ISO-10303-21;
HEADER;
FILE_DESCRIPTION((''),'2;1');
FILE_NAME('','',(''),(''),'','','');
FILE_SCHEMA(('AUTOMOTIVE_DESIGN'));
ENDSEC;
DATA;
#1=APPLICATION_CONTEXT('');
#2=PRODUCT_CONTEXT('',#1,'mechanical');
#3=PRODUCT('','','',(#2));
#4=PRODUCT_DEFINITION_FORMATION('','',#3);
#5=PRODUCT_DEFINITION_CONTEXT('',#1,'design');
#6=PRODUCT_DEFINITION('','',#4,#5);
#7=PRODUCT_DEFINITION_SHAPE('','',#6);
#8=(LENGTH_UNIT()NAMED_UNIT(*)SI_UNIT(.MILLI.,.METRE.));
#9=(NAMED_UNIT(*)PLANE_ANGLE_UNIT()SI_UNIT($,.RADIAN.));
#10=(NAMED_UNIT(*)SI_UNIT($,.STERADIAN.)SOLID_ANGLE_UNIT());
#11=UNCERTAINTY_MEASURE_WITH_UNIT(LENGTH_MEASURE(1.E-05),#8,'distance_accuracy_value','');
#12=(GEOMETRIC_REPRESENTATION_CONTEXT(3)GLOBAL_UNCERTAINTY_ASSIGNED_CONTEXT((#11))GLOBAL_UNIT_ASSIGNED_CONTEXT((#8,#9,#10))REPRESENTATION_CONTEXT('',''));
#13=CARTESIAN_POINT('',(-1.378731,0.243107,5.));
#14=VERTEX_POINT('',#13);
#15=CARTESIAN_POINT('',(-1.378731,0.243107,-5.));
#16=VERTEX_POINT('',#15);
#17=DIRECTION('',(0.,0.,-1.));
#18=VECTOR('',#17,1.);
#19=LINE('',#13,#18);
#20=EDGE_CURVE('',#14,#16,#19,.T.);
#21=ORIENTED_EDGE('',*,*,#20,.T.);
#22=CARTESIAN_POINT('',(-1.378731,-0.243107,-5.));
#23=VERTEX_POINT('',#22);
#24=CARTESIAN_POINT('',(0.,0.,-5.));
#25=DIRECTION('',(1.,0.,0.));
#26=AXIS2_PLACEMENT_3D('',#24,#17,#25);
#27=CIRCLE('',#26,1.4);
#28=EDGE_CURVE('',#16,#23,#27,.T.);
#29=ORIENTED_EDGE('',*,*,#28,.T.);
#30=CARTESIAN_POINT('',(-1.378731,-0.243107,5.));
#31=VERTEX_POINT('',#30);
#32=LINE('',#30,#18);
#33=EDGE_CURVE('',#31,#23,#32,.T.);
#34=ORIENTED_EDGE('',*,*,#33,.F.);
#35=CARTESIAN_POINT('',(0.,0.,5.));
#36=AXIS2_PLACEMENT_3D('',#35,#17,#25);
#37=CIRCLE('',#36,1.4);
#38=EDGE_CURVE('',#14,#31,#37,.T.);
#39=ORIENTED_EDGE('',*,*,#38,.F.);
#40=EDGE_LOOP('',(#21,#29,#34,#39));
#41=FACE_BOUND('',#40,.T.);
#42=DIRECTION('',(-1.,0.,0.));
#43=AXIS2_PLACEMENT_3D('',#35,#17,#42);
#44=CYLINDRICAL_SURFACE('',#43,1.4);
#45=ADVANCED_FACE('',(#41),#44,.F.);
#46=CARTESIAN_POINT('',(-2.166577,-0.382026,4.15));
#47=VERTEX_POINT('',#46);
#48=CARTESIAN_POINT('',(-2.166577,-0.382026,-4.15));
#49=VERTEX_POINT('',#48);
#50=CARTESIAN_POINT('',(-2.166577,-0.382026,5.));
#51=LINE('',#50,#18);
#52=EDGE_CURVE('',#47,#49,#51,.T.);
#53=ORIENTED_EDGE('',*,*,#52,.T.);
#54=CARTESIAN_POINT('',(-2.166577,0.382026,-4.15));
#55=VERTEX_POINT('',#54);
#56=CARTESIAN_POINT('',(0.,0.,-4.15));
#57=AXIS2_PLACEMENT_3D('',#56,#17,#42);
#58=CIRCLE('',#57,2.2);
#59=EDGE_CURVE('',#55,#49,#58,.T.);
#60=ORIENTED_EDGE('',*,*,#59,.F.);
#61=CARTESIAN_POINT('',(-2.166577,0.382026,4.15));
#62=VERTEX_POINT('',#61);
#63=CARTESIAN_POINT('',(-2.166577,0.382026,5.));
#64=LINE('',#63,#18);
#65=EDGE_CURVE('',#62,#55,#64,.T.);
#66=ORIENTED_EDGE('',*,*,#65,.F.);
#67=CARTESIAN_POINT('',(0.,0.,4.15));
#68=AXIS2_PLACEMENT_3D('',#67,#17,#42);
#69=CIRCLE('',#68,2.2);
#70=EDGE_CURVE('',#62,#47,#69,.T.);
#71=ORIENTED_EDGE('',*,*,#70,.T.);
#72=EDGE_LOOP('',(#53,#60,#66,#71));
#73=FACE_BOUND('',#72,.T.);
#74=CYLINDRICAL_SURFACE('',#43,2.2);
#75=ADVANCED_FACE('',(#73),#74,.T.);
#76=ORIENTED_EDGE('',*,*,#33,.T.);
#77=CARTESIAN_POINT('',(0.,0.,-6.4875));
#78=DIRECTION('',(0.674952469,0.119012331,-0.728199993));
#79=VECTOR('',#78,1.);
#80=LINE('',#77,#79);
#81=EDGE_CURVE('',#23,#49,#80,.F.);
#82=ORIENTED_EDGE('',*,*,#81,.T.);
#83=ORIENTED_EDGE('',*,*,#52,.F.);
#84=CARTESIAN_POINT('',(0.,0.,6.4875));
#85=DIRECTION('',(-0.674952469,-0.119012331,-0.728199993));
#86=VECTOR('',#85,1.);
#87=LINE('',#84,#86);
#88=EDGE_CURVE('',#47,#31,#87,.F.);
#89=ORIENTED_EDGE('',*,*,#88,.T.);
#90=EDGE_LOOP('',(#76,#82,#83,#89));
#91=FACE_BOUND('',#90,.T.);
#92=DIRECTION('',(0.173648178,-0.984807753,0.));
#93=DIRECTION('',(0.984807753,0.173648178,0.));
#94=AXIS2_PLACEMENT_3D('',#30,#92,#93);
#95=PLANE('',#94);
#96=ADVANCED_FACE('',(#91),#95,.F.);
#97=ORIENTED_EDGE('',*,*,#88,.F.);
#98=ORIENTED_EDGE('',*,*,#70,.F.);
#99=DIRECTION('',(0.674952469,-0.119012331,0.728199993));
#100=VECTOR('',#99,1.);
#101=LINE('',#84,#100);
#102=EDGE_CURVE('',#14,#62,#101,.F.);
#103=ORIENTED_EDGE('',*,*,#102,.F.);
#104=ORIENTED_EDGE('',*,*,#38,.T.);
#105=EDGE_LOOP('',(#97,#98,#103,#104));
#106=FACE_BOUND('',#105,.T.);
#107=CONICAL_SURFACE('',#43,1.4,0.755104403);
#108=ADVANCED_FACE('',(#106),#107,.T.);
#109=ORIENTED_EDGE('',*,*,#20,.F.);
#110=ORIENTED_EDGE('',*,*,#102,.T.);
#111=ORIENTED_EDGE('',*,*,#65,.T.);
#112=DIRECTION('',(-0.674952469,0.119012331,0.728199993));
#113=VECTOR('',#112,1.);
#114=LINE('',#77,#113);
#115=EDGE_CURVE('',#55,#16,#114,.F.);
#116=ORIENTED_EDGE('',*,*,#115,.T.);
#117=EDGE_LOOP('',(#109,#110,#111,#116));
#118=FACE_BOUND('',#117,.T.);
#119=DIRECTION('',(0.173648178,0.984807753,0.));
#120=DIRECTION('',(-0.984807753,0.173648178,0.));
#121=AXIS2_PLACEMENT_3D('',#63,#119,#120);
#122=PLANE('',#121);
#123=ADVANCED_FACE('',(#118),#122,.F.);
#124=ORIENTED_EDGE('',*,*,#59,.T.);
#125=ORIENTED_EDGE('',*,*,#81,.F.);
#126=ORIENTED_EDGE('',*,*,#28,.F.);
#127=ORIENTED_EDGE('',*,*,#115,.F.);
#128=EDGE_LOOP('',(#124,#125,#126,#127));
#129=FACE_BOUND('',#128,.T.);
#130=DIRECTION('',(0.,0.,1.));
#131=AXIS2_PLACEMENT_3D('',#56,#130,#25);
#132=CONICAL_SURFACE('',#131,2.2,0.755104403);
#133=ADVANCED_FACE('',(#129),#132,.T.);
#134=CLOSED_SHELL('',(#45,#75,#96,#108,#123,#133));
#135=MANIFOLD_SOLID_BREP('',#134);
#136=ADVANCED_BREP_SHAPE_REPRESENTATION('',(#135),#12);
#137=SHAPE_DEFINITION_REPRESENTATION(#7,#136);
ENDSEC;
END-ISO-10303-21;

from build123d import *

# Parameters (mm, degrees)
EXTRUDE1_DEPTH = 5


with BuildPart() as part:
    # Sketch1 → Extrude1 (new, symmetric)
    with BuildSketch(Plane.XY):
        with BuildLine():
            Line((-2.166577057, 0.382025991), (-1.378730854, 0.243107449))
            ThreePointArc((-1.378730854, 0.243107449), (1.4, 0), (-1.378730854, -0.243107449))
            Line((-1.378730854, -0.243107449), (-2.166577057, -0.382025991))
            ThreePointArc((-2.166577057, -0.382025991), (2.2, 0), (-2.166577057, 0.382025991))
        make_face()
    extrude(amount=EXTRUDE1_DEPTH, both=True)

    # Sketch2 → Cut-Revolve1 (revolve, cut)
    with BuildSketch(Plane(origin=(0, 0, 0), x_dir=(0, 0, -1), z_dir=(1, 0, 0))):
        Polygon((5, 2.2), (5, 1.4), (4.15, 2.2), align=None)
        Polygon((-4.15, 2.2), (-5, 2.2), (-5, 1.4), align=None)
    revolve(axis=Axis((0, 0, -5), (0, 0, 1)), mode=Mode.SUBTRACT)


solid = part.part
